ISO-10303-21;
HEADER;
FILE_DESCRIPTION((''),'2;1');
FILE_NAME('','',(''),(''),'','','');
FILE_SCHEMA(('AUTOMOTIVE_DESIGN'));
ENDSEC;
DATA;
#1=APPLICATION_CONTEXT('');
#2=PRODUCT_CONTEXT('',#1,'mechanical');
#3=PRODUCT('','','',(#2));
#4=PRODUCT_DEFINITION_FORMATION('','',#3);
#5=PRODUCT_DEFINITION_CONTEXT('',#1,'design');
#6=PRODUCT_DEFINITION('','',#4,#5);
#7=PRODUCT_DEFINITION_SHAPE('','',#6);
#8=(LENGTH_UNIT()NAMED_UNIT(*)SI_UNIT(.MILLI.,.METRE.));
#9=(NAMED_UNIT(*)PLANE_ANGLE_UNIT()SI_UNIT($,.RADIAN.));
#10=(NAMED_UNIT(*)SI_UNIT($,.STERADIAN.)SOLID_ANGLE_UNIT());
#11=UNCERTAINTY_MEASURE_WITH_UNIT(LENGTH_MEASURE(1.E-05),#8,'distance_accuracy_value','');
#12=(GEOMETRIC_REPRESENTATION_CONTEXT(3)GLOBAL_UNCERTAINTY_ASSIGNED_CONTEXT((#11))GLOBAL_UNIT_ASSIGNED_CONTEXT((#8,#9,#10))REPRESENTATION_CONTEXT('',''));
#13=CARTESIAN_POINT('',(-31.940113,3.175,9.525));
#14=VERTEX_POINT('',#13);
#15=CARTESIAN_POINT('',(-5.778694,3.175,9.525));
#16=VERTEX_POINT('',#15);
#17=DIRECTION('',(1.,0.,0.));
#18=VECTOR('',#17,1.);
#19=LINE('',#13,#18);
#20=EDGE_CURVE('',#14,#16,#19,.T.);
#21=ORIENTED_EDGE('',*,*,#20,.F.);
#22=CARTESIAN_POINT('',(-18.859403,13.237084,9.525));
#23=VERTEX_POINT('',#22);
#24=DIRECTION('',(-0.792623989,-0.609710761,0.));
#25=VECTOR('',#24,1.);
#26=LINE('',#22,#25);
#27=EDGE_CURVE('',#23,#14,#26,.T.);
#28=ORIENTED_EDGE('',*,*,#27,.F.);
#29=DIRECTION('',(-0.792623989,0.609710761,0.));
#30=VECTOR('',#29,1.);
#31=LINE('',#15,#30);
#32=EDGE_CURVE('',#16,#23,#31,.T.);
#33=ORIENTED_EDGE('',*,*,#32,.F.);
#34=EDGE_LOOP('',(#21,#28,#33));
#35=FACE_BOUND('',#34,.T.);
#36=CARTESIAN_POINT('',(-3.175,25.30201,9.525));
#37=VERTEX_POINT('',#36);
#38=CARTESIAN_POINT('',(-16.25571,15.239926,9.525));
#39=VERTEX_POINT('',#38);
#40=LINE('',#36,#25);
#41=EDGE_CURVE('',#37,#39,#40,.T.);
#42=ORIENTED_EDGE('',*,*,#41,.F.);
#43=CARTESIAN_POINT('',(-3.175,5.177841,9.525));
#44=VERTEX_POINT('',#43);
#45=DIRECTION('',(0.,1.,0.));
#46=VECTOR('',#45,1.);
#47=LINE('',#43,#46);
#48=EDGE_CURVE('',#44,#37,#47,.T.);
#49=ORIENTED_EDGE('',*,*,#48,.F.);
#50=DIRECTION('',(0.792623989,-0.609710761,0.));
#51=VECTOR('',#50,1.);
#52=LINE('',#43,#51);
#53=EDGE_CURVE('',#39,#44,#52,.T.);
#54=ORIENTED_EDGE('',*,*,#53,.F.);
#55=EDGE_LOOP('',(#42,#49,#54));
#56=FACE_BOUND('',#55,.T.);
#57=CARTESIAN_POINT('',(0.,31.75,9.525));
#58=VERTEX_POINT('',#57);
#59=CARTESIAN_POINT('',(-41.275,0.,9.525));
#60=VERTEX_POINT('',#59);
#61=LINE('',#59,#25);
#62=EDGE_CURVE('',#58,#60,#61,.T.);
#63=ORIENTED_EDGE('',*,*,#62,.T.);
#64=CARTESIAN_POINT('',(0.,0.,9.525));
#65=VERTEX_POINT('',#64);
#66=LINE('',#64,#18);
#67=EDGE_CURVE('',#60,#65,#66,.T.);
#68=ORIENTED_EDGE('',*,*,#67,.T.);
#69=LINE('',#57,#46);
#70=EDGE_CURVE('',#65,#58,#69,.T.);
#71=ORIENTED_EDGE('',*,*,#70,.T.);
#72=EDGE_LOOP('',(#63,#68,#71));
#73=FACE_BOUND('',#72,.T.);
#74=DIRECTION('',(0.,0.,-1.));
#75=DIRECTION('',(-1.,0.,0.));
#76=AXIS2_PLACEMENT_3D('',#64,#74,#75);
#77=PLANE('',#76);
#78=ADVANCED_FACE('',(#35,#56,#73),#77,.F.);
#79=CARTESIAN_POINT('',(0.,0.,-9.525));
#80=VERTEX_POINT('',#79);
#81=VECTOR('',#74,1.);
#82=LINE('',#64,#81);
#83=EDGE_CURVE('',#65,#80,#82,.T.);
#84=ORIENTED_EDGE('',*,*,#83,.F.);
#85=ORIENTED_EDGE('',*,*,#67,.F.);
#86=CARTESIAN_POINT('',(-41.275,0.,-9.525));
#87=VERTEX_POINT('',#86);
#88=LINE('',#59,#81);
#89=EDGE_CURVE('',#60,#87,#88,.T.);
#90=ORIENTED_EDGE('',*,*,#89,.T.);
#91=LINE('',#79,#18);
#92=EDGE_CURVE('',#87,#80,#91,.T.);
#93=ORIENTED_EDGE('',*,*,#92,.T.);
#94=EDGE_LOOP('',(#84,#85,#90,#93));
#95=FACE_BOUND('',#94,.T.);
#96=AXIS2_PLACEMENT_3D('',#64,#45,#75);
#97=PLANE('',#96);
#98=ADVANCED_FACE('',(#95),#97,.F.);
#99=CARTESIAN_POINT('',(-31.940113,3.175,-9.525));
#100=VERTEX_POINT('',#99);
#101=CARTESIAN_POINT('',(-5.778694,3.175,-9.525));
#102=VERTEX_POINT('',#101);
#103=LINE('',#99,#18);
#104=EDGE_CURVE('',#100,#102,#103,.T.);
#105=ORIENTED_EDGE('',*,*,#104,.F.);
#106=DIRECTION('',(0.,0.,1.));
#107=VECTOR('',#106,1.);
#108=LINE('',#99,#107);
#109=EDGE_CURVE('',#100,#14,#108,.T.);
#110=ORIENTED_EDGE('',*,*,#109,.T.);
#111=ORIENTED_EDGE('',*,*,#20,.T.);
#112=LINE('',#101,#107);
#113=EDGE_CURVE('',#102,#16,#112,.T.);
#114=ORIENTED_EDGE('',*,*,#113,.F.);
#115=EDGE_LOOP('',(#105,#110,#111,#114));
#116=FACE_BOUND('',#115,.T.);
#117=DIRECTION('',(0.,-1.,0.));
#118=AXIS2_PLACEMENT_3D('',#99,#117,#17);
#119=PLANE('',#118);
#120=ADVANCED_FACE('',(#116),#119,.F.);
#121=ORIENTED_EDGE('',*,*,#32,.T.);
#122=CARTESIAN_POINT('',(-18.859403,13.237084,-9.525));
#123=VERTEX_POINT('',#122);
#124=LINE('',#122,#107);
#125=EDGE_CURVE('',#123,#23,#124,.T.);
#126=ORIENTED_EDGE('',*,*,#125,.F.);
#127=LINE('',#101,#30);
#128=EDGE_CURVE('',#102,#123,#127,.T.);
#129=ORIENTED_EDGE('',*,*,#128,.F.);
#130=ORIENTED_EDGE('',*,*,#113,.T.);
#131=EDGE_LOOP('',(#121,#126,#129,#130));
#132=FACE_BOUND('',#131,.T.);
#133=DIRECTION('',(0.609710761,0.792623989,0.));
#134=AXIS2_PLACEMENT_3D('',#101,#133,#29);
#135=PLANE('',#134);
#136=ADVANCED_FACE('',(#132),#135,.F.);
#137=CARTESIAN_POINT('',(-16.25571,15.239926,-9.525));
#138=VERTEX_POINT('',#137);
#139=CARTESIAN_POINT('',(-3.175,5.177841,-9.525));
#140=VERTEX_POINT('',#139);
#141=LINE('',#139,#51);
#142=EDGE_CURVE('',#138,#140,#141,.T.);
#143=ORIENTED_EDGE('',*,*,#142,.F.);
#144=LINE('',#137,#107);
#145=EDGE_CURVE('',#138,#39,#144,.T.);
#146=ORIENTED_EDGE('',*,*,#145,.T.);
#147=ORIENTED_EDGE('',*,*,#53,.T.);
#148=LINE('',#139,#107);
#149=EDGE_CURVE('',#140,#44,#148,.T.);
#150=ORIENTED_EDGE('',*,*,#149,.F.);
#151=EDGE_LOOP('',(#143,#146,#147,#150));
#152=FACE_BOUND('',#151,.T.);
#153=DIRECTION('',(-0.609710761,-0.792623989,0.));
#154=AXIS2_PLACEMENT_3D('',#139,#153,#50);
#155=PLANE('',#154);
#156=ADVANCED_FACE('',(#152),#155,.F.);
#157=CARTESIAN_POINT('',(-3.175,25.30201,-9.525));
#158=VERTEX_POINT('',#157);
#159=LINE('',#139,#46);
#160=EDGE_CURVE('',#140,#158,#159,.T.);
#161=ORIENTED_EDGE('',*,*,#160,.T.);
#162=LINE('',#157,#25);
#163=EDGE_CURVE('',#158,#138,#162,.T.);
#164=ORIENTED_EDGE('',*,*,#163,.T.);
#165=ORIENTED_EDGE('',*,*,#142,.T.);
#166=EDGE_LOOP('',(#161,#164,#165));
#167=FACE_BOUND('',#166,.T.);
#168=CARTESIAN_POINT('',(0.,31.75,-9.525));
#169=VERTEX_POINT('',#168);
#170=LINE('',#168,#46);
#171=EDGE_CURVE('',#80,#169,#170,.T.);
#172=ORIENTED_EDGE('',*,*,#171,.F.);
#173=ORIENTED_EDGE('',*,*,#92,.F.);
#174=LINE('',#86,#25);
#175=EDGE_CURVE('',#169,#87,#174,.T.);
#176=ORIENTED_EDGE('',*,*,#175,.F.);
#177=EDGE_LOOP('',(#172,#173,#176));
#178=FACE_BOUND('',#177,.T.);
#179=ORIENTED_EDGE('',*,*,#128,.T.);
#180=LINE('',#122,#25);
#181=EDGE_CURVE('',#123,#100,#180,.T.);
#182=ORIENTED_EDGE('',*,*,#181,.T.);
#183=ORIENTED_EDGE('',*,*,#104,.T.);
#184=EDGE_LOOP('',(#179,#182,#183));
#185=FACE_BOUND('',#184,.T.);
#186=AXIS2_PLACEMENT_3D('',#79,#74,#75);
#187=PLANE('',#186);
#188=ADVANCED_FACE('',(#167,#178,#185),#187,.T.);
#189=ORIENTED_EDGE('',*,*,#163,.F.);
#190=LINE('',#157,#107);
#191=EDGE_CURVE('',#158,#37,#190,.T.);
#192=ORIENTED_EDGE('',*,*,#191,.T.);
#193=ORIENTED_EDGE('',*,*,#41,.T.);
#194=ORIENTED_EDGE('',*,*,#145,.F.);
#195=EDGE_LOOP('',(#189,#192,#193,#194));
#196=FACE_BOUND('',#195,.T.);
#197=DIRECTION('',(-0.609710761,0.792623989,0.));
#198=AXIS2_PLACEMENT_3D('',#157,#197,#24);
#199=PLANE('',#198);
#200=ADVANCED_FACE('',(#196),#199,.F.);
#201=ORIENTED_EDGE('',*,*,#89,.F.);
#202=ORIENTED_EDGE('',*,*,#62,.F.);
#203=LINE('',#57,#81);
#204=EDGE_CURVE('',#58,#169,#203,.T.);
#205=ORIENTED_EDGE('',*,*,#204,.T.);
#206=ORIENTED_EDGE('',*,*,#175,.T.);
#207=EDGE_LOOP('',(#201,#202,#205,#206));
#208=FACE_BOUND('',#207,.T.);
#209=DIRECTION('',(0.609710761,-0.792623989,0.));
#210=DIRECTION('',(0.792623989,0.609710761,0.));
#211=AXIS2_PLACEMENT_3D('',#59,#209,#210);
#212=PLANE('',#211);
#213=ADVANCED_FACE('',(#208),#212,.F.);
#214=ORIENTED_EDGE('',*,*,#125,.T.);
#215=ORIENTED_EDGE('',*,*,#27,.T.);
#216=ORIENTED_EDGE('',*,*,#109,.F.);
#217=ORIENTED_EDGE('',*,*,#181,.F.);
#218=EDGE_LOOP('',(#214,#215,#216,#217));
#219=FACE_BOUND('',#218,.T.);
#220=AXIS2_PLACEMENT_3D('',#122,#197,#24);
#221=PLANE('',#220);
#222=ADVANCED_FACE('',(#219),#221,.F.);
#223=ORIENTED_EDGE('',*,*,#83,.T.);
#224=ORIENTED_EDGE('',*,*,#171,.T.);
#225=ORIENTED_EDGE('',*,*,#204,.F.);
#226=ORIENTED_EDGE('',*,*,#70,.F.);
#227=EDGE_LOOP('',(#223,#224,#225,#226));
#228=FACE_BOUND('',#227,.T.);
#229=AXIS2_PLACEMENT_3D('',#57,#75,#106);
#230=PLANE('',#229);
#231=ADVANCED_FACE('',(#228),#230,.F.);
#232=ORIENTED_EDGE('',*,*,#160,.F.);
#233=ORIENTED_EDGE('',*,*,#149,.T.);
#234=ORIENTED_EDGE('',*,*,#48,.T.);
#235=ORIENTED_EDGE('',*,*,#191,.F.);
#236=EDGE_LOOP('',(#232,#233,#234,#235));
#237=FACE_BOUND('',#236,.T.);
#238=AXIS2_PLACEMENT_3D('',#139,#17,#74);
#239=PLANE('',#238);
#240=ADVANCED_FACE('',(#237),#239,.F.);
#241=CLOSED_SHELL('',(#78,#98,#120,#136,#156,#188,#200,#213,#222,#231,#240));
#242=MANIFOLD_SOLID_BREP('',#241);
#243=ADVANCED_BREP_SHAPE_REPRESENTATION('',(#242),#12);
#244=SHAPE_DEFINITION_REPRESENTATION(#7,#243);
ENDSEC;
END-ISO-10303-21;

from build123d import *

# Parameters (mm, degrees)
BOSS_EXTRUDE1_DEPTH     = 9.525
CUT_EXTRUDE1_DEPTH      = 10.525
CUT_EXTRUDE1_DEPTH_BACK = 10.525


with BuildPart() as part:
    # Sketch1 → Boss-Extrude1 (new body, symmetric)
    with BuildSketch(Plane.XY):
        Polygon((0, 0), (-41.275, 0), (0, 31.75), align=None)
    extrude(amount=BOSS_EXTRUDE1_DEPTH, both=True)

    # Sketch2 → Cut-Extrude1 (cut, two sides)
    with BuildSketch(Plane.XY) as cut_extrude1_sk:
        Polygon((-3.175, 5.177841223), (-16.255709614, 15.239925542), (-3.175, 25.302009861), align=None)
        Polygon((-5.77869359, 3.175), (-18.859403205, 13.237084319), (-31.940112819, 3.175), align=None)
    extrude(amount=CUT_EXTRUDE1_DEPTH, mode=Mode.SUBTRACT)
    extrude(cut_extrude1_sk.sketch, amount=-CUT_EXTRUDE1_DEPTH_BACK, mode=Mode.SUBTRACT)


solid = part.part
